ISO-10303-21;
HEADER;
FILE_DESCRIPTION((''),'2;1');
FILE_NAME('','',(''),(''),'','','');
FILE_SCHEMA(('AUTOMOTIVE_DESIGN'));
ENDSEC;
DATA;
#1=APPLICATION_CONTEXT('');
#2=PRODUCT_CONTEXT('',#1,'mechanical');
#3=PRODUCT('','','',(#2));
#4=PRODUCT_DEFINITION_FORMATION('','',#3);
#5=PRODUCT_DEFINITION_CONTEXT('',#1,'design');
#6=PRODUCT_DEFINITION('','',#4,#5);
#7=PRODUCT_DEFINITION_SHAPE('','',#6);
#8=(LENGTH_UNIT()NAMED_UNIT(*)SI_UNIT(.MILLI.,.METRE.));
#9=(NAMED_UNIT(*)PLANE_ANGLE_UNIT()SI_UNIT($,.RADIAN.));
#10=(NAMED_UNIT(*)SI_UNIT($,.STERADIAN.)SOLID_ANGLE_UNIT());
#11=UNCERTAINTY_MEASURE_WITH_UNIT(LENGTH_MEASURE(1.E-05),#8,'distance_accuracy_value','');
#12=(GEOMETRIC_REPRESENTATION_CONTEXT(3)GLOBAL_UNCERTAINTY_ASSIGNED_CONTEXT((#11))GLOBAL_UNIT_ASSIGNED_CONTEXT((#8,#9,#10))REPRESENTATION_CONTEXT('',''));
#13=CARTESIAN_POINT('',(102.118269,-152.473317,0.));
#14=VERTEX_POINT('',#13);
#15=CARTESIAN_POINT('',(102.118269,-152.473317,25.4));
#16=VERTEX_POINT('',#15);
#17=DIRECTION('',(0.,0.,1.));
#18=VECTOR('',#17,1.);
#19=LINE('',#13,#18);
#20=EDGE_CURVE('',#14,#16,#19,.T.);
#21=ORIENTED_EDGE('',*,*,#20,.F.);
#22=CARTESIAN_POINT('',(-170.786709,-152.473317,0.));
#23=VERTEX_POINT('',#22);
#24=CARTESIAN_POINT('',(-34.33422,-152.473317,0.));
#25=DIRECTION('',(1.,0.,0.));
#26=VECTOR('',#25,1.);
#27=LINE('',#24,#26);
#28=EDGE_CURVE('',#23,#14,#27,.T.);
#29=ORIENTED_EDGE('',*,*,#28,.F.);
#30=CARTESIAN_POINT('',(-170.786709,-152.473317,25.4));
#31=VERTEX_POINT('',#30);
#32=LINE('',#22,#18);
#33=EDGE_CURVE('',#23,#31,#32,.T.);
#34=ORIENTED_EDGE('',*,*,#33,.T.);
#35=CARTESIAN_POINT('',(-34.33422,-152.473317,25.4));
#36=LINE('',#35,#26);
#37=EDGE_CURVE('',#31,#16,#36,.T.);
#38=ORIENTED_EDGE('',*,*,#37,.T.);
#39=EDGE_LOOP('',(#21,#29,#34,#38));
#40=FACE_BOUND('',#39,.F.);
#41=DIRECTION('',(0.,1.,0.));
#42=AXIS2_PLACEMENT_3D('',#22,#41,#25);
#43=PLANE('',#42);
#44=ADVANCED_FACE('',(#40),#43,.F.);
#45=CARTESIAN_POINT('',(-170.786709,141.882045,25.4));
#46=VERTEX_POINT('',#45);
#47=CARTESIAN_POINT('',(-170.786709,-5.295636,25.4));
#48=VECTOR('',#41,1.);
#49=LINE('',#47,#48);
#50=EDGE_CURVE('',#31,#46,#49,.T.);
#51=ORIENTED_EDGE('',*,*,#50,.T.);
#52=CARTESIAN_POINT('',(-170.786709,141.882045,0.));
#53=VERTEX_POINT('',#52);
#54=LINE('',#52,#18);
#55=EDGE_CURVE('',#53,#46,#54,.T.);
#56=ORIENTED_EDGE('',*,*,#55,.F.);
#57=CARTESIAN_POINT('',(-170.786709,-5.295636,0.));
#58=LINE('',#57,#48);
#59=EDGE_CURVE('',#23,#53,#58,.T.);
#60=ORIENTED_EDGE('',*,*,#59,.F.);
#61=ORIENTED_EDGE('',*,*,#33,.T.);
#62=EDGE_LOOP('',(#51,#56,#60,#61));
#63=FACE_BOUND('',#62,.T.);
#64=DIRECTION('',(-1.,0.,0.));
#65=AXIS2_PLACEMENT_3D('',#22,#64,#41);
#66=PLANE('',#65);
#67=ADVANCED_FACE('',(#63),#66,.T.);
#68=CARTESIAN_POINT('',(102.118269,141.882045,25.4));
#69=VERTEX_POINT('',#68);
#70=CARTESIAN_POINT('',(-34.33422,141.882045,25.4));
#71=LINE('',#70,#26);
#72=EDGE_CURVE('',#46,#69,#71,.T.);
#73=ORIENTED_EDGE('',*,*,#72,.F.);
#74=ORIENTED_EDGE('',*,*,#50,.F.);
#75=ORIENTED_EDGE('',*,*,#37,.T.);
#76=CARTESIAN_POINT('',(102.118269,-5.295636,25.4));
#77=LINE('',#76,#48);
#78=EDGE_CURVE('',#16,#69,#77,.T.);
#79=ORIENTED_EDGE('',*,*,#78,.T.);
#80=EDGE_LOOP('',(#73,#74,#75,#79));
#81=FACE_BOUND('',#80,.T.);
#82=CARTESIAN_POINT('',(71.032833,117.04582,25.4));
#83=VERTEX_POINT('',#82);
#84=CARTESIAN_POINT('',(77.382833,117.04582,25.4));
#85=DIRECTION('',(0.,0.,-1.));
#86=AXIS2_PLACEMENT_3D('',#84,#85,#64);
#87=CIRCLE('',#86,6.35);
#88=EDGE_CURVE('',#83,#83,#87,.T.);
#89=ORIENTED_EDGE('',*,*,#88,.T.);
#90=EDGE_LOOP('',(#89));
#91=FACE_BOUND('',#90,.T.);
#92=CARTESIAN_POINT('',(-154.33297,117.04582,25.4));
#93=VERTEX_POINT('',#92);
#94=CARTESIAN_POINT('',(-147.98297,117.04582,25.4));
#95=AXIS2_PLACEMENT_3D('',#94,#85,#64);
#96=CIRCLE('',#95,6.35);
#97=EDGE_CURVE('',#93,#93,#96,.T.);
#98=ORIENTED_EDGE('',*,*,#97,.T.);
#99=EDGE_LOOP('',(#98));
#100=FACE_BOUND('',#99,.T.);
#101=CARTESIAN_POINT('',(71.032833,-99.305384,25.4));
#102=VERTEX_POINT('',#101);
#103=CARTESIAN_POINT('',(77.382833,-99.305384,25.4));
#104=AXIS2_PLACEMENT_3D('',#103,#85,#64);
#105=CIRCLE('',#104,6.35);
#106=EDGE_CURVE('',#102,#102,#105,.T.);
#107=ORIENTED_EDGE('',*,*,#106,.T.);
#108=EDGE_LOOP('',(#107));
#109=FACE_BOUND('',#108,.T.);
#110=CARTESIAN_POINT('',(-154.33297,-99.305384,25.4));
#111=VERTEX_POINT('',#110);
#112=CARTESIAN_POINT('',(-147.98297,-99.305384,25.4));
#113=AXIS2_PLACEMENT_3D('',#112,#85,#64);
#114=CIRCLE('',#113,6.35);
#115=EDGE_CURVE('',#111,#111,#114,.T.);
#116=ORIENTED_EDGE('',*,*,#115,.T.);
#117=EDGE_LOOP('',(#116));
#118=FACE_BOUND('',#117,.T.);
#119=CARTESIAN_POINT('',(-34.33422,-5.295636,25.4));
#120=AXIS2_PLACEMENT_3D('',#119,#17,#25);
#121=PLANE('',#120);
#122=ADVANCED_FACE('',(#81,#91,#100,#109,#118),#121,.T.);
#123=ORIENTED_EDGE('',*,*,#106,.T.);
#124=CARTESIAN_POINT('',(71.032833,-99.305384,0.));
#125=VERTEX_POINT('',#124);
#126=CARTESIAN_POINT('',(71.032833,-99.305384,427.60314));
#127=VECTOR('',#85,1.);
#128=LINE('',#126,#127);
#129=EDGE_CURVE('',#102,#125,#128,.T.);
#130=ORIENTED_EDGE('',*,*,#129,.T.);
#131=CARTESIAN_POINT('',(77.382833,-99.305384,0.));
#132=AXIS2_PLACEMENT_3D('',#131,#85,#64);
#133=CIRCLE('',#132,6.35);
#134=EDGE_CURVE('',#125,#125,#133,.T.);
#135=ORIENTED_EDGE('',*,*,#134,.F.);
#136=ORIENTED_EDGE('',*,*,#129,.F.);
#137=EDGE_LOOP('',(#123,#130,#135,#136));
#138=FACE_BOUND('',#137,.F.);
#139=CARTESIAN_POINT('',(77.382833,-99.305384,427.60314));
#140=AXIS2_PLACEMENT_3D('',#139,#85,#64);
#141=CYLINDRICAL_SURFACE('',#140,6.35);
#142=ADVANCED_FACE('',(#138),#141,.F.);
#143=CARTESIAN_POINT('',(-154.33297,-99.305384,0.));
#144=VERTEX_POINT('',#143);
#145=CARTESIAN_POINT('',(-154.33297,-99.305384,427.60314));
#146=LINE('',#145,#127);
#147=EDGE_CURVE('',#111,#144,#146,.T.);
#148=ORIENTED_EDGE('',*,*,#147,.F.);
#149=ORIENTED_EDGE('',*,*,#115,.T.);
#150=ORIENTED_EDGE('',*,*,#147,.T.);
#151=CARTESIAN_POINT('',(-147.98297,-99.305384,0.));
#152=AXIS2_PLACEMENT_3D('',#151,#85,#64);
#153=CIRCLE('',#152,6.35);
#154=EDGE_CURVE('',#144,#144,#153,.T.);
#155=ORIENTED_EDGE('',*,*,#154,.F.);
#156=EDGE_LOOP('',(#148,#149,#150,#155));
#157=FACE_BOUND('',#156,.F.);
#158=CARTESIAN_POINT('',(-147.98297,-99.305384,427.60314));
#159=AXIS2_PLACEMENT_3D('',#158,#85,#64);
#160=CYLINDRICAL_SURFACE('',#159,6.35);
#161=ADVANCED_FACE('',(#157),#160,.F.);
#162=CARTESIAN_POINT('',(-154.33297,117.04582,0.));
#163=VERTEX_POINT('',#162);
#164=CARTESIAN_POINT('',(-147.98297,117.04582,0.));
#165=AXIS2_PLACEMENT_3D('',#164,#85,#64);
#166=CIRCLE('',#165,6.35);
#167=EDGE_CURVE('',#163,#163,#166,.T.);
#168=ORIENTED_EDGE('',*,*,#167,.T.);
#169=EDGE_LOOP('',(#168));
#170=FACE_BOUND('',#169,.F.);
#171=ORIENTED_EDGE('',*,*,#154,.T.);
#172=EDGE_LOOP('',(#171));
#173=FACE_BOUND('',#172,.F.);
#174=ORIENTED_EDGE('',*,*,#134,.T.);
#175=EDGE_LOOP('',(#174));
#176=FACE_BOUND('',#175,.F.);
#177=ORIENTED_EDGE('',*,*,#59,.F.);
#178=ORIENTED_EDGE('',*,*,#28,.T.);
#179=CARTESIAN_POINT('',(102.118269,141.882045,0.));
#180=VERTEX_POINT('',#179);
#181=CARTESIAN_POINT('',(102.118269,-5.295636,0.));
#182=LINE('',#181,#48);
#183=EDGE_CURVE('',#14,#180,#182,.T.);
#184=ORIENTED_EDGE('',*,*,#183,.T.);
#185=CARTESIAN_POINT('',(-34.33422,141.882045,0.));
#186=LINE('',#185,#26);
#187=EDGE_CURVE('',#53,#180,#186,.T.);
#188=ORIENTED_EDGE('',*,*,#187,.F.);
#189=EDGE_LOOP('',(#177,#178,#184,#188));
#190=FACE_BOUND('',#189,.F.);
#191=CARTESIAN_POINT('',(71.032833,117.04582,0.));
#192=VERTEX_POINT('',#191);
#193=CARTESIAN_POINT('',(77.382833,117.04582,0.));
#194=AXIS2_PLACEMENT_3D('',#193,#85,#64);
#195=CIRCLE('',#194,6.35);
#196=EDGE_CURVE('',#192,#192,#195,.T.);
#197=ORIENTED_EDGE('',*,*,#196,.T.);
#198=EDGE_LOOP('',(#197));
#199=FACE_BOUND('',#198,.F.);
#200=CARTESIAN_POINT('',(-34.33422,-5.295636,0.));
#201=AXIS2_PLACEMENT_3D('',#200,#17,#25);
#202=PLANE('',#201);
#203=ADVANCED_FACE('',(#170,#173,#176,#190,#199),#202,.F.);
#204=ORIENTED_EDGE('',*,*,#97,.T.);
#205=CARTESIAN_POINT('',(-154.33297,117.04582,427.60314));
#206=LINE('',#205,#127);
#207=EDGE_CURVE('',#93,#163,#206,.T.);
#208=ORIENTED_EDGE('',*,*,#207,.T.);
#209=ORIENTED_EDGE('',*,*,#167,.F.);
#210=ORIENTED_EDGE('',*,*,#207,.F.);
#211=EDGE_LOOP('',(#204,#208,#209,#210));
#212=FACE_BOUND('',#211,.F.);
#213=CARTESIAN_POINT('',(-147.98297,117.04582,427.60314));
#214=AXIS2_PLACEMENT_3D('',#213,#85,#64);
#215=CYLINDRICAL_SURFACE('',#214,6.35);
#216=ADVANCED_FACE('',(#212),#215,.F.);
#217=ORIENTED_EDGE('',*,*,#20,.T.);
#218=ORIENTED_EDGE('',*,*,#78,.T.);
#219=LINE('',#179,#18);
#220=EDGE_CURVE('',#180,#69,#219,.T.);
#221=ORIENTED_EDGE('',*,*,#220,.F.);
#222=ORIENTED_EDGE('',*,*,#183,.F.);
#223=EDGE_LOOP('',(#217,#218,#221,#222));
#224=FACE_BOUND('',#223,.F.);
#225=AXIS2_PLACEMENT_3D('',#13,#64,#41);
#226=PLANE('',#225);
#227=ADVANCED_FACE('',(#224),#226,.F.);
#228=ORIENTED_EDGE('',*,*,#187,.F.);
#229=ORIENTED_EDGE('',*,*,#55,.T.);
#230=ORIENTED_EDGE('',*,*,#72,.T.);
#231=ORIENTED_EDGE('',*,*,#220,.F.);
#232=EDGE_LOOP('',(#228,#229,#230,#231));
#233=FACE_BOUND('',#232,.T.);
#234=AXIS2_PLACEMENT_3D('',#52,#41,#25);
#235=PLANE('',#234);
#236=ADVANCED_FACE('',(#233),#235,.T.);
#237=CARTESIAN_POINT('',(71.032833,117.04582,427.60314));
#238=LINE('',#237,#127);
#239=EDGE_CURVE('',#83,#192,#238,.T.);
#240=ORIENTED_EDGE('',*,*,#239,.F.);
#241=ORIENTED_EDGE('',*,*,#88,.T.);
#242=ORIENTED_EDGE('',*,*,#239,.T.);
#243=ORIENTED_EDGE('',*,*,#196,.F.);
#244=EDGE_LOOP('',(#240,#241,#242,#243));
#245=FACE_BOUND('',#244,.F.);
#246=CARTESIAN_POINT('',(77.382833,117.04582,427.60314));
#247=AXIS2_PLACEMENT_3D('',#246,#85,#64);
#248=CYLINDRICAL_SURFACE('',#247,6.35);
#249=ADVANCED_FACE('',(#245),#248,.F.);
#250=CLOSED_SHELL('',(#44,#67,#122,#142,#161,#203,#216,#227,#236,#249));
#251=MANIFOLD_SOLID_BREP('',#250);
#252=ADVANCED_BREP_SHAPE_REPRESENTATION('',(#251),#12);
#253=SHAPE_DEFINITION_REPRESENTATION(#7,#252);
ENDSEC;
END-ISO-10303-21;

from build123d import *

# Parameters (mm, degrees)
F0_W     = 272.904978
F0_H     = 294.355361
F1_DEPTH = 25.4
F3_D     = 12.7


with BuildPart() as f1:
    # F0 (on Top) → F1 (new body)
    with BuildSketch(Plane.XY):
        with Locations((-34.33422, -5.295636)):
            Rectangle(F0_W, F0_H)
    extrude(amount=F1_DEPTH)

    # F3 (through all)
    with Locations(Plane.XY.offset(25.4)):
        with Locations((-147.98297, 117.04582), (77.382833, 117.04582), (-147.98297, -99.305384), (77.382833, -99.305384)):
            Hole(F3_D / 2)


solid = f1.part
